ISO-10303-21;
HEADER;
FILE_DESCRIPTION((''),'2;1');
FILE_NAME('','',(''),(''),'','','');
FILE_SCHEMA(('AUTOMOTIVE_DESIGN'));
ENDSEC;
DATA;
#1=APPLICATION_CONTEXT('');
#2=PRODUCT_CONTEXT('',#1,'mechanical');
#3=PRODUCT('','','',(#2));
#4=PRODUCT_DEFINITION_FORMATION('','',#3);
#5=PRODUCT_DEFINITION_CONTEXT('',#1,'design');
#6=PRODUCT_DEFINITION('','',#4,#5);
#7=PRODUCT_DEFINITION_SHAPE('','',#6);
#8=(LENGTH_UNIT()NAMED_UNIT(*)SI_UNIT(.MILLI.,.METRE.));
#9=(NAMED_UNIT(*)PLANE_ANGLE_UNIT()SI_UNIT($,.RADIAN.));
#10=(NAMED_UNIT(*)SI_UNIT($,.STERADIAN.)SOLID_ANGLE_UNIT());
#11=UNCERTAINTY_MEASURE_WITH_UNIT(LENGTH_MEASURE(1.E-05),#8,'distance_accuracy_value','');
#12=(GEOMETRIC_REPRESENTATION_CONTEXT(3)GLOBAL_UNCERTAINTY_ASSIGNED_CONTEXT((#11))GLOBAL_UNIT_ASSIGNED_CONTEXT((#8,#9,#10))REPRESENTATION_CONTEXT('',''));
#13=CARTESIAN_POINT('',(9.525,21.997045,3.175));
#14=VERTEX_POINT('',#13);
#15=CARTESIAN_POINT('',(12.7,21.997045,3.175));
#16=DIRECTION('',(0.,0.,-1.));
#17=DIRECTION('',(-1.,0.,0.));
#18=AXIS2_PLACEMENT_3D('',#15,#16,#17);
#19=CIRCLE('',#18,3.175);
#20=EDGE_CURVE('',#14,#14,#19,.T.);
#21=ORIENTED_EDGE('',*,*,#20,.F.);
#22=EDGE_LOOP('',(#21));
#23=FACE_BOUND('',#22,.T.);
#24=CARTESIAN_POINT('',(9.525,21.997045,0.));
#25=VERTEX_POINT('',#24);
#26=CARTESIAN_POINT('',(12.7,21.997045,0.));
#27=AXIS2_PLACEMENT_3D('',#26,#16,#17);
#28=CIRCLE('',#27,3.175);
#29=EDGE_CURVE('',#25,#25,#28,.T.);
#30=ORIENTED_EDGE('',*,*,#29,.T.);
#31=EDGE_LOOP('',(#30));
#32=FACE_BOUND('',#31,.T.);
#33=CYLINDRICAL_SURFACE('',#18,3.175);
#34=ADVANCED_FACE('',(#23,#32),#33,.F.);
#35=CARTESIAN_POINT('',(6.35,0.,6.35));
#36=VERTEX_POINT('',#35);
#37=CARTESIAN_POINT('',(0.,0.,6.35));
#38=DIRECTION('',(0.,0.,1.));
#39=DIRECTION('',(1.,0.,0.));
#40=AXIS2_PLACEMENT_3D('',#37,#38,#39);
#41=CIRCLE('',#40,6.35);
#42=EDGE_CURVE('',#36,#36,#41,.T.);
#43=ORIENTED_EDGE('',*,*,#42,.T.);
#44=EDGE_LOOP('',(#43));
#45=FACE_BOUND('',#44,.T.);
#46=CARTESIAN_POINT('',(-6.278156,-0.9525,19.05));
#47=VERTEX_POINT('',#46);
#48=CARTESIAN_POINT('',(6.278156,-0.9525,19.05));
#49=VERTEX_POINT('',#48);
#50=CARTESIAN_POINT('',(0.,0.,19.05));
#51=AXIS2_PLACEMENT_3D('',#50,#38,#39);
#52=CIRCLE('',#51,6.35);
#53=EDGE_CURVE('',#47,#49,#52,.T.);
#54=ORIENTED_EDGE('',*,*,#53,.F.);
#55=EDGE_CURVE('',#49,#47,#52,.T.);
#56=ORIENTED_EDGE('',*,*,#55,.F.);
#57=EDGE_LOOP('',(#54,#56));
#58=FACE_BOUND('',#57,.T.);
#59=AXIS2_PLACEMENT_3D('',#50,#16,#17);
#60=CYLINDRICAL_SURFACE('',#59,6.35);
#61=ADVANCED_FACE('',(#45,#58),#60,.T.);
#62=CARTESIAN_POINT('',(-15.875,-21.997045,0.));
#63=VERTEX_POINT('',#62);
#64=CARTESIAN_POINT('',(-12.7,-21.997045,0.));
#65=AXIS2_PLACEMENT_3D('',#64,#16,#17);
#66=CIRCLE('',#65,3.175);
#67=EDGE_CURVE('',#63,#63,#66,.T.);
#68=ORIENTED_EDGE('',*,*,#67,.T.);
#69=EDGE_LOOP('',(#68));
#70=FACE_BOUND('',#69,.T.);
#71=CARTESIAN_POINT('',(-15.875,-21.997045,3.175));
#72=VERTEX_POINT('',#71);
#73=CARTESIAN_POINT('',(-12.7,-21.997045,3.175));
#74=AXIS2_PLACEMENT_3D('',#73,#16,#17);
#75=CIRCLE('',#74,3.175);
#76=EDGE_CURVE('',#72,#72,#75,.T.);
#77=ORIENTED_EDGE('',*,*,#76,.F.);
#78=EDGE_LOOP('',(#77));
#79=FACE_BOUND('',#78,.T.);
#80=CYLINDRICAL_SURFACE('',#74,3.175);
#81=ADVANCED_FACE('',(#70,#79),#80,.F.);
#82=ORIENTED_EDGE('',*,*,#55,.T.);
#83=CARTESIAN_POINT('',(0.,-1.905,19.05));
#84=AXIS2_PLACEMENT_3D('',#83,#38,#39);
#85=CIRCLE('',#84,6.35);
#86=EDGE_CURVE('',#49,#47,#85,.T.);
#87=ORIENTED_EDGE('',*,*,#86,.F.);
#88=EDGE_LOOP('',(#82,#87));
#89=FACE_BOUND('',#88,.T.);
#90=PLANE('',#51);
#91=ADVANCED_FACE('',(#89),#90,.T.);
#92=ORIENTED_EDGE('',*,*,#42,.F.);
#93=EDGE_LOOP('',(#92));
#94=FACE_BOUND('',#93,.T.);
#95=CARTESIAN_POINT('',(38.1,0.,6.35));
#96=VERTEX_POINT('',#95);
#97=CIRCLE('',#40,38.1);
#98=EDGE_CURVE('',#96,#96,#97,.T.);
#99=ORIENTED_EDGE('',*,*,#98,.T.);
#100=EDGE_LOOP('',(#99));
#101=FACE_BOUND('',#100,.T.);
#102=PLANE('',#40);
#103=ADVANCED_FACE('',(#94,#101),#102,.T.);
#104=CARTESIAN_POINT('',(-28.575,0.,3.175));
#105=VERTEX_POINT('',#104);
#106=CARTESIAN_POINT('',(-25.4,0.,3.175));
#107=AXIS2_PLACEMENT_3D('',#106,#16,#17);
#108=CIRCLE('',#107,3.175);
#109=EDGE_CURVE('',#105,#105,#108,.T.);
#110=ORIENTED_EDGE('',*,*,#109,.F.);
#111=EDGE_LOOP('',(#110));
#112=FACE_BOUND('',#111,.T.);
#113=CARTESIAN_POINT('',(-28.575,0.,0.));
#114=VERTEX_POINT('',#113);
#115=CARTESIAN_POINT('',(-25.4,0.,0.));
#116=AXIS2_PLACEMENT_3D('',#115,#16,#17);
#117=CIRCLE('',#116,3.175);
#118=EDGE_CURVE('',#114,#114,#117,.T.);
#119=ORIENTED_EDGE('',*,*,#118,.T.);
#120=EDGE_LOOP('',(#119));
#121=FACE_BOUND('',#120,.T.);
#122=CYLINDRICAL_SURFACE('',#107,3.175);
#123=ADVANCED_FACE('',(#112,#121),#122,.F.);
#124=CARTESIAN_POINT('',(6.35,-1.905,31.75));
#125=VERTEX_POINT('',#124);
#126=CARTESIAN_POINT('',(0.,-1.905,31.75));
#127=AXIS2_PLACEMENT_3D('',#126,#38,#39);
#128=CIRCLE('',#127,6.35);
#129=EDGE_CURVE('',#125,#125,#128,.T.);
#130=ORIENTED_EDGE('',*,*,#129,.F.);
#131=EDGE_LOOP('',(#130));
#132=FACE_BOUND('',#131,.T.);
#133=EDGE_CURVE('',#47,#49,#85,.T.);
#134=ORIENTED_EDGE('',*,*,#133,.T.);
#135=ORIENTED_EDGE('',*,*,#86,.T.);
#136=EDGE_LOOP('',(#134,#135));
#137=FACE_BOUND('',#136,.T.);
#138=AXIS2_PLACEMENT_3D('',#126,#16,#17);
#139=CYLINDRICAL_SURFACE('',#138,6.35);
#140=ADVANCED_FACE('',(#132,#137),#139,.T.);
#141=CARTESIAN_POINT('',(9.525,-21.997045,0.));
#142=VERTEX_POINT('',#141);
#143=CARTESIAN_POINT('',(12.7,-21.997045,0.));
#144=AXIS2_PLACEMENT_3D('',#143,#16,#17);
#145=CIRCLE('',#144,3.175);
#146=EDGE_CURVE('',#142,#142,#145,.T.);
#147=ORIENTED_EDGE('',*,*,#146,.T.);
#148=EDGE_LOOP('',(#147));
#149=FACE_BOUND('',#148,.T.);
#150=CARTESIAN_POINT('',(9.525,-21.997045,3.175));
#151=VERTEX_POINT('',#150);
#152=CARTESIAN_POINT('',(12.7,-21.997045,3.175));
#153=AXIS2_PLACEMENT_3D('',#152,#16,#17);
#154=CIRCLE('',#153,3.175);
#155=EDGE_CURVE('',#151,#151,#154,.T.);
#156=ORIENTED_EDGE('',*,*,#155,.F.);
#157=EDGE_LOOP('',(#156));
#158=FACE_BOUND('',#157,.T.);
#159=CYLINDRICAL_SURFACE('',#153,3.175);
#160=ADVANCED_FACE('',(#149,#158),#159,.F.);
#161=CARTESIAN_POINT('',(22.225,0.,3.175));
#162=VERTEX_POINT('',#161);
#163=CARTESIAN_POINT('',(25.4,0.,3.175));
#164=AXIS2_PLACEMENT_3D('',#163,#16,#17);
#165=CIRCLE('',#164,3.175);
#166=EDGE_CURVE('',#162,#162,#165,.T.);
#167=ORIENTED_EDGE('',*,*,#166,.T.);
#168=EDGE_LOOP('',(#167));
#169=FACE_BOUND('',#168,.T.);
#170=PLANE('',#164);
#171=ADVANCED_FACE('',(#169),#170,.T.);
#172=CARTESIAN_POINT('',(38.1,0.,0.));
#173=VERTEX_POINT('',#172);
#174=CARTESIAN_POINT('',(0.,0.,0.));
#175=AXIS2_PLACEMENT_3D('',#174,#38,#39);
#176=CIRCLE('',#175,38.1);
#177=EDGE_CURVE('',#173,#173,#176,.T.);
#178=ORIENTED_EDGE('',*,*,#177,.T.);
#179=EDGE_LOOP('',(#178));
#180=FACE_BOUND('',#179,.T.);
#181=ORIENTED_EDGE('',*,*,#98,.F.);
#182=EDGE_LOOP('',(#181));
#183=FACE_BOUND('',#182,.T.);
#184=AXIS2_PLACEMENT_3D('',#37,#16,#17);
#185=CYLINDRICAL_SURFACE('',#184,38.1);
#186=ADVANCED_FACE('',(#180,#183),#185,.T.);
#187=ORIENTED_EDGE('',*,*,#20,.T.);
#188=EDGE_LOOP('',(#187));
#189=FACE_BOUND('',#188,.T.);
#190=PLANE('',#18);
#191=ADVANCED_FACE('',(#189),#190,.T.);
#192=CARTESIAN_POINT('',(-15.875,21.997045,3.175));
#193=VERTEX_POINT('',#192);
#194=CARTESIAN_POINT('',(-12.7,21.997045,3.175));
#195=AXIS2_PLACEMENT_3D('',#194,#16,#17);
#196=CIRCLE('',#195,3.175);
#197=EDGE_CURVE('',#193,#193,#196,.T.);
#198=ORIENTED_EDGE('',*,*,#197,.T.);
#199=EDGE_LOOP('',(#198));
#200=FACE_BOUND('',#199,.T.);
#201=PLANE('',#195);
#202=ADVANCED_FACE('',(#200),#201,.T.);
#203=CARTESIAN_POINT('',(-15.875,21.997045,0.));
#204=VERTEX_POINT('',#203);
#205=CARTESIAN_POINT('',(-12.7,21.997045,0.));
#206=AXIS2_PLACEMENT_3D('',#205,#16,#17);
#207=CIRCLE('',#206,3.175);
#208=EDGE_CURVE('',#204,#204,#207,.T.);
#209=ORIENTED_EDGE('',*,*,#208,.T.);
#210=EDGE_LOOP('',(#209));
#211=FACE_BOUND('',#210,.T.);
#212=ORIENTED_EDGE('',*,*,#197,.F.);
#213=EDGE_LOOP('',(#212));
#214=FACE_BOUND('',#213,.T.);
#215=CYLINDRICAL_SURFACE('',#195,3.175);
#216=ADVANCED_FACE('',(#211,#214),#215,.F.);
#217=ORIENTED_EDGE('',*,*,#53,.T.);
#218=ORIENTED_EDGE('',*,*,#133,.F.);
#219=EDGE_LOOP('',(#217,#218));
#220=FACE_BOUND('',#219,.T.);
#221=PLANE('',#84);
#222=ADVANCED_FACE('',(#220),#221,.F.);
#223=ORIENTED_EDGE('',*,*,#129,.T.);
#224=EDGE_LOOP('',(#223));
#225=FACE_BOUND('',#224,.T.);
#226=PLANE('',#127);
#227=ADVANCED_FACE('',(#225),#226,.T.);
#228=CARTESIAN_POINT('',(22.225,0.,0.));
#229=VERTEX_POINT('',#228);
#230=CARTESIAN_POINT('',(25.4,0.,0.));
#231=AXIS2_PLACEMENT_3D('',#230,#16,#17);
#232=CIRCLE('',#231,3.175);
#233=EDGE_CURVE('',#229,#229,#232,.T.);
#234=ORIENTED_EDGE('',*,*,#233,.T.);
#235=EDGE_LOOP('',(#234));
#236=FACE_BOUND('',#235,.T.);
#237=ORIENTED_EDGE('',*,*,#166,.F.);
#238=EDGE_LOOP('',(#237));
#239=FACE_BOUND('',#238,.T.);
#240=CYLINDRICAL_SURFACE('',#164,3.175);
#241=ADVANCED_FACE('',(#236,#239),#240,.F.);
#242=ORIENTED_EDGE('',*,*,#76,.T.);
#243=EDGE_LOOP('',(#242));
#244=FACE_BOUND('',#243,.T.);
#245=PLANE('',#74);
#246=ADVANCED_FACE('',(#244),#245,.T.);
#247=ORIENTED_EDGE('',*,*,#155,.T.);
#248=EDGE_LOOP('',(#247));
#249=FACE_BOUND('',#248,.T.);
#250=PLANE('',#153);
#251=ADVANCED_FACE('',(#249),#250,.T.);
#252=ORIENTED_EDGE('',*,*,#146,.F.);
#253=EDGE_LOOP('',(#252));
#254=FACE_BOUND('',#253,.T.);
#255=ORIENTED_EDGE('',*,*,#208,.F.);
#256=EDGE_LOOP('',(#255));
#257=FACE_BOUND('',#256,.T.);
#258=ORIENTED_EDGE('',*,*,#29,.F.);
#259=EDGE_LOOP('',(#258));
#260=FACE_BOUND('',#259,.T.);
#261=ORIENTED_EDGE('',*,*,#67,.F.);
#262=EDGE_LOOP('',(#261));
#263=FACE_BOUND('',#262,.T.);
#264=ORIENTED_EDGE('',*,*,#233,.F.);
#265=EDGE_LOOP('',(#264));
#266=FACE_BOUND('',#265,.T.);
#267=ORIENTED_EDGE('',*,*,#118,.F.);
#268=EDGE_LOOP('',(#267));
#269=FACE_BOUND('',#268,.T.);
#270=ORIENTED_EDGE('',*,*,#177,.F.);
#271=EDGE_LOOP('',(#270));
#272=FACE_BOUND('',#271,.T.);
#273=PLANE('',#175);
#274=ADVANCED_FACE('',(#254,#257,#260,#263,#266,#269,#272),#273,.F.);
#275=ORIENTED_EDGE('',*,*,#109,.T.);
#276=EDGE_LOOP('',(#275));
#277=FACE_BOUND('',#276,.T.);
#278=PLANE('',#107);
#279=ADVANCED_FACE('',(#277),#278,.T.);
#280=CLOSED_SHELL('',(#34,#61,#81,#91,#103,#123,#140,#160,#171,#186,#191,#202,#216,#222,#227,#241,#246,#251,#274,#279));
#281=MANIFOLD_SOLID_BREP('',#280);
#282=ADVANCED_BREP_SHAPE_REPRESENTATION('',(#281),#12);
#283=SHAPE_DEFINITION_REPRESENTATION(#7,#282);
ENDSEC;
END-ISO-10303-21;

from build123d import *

# Parameters (mm, degrees)
SKETCH1_R           = 38.1
BOSS_EXTRUDE1_DEPTH = 6.35
SKETCH2_R           = 6.35
BOSS_EXTRUDE2_DEPTH = 12.7
SKETCH3_R           = 6.35
BOSS_EXTRUDE3_DEPTH = 12.7
SKETCH4_R           = 3.175
CUT_EXTRUDE1_DEPTH  = 3.175


with BuildPart() as part:
    # Sketch1 → Boss-Extrude1 (new body)
    with BuildSketch(Plane.XY):
        Circle(SKETCH1_R)
    extrude(amount=BOSS_EXTRUDE1_DEPTH)

    # Sketch2 → Boss-Extrude2 (add)
    with BuildSketch(Plane.XY.offset(6.35)):
        Circle(SKETCH2_R)
    extrude(amount=BOSS_EXTRUDE2_DEPTH)

    # Sketch3 → Boss-Extrude3 (add)
    with BuildSketch(Plane.XY.offset(19.05)):
        with Locations(Location((0, -1.905, 0), (0, 0, 171.373073441))):
            Circle(SKETCH3_R)
    extrude(amount=BOSS_EXTRUDE3_DEPTH)

    # Sketch4 → Cut-Extrude1 (cut)
    with BuildSketch(Plane(origin=(0, 0, 0), x_dir=(-1, 0, 0), z_dir=(0, 0, -1))):
        with Locations((-25.4, 0)):
            Circle(SKETCH4_R)
        with Locations((-12.7, 21.997045256)):
            Circle(SKETCH4_R)
        with Locations((12.7, 21.997045256)):
            Circle(SKETCH4_R)
        with Locations((25.4, 0)):
            Circle(SKETCH4_R)
        with Locations((12.7, -21.997045256)):
            Circle(SKETCH4_R)
        with Locations((-12.7, -21.997045256)):
            Circle(SKETCH4_R)
    extrude(amount=-CUT_EXTRUDE1_DEPTH, mode=Mode.SUBTRACT)


solid = part.part
